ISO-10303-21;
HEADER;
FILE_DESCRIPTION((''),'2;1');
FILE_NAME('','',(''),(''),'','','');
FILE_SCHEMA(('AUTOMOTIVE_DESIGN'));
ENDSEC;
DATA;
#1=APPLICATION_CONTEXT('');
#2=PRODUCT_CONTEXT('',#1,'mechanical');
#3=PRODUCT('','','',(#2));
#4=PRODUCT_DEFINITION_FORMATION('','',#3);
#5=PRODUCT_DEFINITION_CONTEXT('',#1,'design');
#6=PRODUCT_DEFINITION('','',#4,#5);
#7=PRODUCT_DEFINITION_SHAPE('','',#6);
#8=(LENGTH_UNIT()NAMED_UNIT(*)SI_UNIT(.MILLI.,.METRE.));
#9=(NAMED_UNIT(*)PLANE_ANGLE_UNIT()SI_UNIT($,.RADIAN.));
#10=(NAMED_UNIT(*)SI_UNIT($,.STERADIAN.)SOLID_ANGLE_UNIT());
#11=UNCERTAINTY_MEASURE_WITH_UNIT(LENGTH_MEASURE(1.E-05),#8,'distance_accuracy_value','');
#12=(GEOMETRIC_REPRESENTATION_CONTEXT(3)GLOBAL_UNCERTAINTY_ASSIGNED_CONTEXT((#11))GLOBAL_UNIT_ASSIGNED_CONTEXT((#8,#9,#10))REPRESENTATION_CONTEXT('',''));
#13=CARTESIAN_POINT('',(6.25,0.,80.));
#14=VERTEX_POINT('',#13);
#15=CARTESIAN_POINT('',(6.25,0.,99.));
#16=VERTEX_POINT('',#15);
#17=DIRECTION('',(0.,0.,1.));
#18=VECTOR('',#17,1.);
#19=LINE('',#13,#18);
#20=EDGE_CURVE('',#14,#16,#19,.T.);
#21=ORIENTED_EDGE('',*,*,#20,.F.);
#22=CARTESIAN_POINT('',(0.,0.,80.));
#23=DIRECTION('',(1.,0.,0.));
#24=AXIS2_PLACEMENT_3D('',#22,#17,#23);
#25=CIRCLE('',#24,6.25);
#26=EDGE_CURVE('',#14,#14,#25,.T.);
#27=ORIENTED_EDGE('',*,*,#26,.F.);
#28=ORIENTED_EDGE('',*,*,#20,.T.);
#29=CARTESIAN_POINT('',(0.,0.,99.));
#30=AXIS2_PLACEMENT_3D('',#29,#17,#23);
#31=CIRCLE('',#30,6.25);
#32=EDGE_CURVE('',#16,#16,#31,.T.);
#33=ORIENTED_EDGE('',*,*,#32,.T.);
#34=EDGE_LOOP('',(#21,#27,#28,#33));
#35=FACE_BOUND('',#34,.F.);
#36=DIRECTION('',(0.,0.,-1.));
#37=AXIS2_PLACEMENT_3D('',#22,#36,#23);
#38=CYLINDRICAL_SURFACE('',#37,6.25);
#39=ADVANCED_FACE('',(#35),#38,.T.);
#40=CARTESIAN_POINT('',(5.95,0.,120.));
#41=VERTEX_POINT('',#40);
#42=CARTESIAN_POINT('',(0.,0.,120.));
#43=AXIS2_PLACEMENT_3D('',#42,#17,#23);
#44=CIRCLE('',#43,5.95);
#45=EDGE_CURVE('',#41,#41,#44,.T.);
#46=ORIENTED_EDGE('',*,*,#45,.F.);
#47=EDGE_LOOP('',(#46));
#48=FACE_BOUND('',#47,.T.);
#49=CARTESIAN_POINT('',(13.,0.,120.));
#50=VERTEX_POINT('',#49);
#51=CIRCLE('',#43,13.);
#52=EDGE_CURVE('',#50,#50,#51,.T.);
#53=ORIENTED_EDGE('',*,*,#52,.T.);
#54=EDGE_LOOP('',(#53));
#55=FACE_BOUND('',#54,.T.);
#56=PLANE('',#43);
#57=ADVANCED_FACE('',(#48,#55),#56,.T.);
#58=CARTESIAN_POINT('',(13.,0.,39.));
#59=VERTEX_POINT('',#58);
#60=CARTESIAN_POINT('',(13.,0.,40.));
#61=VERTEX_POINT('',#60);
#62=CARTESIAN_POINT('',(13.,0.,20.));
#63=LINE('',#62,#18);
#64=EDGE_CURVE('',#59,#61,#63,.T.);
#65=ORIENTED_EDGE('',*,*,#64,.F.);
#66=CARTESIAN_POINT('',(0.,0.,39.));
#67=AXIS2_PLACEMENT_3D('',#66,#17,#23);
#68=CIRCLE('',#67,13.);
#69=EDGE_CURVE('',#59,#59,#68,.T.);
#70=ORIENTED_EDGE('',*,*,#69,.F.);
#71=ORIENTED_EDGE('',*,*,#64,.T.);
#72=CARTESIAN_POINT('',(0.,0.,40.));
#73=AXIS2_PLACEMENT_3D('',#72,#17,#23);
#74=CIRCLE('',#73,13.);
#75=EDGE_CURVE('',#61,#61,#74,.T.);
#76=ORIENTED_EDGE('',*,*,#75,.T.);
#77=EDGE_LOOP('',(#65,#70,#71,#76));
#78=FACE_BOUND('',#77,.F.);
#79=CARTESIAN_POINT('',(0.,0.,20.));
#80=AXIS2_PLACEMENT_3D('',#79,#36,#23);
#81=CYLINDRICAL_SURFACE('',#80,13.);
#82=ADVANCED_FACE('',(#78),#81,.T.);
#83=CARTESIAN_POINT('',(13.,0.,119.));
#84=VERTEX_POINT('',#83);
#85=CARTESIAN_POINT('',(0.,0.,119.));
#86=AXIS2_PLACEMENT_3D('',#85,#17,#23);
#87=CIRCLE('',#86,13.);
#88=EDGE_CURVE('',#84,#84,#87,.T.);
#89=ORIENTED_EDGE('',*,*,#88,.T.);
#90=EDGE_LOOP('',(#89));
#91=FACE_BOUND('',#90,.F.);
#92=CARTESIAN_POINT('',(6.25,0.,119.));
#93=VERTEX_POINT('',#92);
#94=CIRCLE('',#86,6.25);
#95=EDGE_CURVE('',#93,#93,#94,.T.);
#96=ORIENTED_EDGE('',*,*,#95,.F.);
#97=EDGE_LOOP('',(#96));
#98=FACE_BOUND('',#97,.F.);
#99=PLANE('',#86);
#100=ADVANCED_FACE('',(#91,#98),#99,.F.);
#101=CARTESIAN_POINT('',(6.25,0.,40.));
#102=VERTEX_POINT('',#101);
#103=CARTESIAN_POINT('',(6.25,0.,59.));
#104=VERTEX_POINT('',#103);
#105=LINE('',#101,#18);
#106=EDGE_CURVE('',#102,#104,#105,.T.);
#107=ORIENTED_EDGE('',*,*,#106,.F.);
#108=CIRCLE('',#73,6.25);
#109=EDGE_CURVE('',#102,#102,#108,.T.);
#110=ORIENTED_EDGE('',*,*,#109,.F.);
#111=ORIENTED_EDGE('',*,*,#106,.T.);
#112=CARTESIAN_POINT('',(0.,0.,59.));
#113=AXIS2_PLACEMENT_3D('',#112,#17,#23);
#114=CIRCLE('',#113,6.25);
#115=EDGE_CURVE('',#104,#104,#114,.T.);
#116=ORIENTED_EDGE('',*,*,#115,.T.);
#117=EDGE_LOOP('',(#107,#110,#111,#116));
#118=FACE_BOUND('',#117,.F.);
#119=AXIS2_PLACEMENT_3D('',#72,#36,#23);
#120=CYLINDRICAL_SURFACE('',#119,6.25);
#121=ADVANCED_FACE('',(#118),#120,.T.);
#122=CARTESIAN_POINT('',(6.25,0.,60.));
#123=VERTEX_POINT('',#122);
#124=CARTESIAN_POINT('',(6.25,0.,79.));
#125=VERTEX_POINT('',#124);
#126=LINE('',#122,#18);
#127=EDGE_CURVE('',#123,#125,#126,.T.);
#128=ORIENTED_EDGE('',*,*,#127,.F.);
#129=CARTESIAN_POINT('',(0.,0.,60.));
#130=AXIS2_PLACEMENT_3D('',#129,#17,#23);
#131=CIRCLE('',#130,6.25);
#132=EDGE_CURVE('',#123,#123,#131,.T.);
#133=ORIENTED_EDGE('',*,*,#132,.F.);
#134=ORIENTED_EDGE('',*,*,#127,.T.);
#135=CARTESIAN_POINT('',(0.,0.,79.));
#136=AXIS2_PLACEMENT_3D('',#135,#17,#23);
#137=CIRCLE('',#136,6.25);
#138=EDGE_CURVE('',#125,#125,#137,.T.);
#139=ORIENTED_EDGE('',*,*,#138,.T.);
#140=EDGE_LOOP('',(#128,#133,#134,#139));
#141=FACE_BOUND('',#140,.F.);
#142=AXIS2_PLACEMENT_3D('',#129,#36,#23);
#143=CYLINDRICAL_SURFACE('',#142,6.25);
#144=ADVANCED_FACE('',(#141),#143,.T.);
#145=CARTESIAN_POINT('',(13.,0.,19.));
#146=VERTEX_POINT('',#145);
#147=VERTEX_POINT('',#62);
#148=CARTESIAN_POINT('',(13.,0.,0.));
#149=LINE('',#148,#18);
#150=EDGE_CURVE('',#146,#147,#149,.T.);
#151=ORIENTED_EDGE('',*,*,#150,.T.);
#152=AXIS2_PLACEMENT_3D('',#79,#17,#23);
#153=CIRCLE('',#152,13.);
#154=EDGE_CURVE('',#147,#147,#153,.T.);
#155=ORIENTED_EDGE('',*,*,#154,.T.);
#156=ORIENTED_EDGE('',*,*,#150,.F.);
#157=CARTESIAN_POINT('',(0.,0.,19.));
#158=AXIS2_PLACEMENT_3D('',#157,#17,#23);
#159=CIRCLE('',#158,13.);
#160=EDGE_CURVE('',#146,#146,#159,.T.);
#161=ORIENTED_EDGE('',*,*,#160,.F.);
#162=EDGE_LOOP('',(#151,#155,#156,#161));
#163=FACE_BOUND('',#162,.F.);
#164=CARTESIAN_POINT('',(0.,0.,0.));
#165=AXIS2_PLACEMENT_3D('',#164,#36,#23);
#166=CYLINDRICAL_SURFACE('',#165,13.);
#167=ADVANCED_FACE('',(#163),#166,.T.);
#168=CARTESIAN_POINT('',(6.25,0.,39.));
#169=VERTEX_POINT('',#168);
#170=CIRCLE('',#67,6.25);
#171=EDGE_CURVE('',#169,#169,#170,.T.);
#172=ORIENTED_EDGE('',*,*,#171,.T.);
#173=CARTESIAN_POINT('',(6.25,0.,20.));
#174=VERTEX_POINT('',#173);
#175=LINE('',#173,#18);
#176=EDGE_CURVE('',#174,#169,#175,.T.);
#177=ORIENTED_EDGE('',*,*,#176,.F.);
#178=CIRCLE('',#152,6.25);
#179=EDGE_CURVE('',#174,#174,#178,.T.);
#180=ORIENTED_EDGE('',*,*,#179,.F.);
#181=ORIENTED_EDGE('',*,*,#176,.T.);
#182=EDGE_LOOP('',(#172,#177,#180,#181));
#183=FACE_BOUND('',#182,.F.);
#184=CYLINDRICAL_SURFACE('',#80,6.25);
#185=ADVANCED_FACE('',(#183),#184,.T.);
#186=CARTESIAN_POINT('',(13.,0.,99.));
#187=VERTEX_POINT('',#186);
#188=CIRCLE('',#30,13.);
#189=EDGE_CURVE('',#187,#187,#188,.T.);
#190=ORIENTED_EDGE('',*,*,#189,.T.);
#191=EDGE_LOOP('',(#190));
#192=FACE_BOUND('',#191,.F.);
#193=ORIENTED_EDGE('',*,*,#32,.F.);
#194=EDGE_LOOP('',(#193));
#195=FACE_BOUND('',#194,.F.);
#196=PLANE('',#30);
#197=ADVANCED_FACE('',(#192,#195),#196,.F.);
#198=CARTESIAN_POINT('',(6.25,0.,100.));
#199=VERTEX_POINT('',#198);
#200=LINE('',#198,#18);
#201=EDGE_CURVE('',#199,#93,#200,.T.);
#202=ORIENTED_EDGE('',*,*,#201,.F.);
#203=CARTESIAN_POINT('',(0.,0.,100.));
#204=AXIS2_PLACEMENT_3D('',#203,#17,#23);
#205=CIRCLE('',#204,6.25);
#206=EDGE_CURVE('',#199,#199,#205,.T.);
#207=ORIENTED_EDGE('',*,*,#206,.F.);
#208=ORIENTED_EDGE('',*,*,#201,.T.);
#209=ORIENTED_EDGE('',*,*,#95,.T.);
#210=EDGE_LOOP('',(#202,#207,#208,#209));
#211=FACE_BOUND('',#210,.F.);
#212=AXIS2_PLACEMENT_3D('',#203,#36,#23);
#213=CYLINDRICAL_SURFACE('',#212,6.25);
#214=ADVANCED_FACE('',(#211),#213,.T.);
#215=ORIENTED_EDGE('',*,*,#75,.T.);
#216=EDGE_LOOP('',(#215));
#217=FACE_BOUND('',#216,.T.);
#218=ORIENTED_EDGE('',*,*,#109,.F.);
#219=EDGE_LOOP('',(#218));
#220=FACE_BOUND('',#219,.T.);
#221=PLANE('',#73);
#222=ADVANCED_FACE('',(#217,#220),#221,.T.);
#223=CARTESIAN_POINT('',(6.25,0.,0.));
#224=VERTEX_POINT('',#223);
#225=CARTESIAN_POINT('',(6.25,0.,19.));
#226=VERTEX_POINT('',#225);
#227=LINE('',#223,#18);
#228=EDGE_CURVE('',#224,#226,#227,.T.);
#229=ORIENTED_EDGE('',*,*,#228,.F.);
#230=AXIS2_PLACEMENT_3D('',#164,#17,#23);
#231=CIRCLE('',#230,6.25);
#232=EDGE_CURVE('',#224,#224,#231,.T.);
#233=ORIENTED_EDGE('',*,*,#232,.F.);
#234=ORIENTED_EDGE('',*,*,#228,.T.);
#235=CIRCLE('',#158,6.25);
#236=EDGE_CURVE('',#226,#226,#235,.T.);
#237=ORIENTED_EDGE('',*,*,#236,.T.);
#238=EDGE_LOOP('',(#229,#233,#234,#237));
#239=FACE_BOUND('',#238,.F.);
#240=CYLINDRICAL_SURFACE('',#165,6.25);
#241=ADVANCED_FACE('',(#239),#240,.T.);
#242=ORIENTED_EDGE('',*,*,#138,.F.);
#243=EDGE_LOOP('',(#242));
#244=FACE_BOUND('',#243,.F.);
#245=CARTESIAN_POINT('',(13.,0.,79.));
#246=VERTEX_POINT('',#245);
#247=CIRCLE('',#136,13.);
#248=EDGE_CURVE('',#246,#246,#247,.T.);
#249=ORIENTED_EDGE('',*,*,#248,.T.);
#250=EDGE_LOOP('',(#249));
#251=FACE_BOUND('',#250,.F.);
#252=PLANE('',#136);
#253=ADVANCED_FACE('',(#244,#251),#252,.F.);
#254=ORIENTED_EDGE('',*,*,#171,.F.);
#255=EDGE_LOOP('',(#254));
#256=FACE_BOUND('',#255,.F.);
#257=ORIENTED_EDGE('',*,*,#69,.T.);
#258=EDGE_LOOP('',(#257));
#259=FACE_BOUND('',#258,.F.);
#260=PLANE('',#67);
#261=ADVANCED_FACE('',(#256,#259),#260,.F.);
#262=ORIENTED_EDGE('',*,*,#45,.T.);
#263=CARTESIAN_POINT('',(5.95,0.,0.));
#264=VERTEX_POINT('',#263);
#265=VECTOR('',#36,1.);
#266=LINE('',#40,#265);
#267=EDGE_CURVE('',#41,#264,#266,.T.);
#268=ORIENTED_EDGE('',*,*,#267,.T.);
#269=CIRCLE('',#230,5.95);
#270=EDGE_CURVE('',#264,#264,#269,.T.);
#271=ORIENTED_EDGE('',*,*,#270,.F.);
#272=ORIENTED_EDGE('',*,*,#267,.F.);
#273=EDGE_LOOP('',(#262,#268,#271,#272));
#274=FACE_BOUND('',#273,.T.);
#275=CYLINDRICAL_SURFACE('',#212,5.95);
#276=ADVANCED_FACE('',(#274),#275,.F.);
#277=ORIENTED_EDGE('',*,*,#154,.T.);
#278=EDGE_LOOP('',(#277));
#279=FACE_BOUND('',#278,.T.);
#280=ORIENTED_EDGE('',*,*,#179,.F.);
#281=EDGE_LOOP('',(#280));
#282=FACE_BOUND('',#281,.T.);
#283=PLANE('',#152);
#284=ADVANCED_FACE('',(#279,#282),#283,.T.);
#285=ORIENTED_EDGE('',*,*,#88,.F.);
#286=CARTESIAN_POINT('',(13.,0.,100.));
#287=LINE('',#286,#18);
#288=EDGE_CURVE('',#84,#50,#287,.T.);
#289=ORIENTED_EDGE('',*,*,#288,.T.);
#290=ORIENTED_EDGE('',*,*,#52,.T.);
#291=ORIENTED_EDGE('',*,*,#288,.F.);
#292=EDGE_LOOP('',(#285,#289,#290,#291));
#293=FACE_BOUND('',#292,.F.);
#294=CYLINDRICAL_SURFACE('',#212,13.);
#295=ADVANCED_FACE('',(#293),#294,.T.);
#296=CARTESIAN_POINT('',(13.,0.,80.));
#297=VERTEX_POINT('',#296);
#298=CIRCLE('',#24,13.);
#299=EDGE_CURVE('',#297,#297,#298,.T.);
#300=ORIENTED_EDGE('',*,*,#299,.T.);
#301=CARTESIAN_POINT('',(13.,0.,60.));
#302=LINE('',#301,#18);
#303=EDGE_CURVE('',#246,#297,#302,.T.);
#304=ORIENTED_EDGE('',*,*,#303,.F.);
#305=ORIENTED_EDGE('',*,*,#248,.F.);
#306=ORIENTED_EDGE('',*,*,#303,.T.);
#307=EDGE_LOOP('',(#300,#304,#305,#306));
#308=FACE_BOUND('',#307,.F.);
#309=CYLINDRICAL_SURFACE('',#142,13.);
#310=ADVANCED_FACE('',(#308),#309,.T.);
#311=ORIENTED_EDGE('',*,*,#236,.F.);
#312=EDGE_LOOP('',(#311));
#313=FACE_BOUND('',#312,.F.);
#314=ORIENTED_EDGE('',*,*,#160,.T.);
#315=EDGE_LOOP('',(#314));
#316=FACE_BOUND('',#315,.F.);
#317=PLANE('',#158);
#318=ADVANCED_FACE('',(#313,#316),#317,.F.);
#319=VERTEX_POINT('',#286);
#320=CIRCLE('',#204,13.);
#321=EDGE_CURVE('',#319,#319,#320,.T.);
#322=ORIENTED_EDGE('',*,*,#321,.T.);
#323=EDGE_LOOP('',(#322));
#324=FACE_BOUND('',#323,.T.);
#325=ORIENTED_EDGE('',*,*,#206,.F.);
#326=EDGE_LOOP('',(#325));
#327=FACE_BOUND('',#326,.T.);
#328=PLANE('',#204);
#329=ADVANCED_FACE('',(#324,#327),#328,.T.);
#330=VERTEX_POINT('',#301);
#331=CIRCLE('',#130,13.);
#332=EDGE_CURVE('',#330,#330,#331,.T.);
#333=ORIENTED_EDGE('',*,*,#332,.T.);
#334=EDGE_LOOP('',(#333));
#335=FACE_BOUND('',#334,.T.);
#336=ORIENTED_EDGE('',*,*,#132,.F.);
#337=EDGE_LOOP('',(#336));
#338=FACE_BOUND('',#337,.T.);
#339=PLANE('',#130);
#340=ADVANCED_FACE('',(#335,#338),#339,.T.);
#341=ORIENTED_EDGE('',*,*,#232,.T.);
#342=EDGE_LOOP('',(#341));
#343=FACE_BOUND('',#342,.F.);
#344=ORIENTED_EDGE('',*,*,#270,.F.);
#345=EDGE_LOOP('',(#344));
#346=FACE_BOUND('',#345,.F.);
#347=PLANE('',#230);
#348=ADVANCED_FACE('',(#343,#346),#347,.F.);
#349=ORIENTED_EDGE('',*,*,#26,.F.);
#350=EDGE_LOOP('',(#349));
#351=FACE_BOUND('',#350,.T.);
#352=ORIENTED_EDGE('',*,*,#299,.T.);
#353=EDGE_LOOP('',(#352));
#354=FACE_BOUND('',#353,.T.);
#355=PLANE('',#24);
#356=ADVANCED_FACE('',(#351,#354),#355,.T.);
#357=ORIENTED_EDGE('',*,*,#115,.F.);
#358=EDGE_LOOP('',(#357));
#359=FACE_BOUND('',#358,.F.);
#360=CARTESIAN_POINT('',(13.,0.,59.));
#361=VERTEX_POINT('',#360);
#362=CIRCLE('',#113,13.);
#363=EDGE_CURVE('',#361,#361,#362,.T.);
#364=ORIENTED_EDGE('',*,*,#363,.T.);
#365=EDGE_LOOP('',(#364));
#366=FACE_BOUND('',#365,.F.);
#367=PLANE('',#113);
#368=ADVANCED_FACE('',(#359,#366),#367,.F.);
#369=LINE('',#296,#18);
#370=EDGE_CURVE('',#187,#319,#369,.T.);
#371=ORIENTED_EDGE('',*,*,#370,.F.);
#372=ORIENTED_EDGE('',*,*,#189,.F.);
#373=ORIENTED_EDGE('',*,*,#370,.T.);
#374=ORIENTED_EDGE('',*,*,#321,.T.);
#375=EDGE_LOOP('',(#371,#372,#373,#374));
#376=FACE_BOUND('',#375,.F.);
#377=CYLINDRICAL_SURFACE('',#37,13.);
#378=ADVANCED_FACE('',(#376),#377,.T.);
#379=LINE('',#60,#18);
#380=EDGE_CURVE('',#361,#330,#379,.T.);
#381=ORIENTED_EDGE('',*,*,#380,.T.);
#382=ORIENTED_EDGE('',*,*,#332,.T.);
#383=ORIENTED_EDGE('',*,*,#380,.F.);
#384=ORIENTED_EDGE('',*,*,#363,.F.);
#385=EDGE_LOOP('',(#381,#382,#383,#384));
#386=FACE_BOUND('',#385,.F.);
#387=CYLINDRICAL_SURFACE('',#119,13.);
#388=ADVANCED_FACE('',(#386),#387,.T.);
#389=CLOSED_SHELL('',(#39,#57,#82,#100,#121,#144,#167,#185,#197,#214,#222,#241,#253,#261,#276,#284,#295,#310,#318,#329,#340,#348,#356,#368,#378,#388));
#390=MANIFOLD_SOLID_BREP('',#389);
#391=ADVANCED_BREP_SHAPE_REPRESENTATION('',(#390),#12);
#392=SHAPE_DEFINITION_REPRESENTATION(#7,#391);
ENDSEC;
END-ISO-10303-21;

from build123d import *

# Parameters (mm, degrees)
SKETCH003_R     = 13
SKETCH003_R_2   = 5.95
PAD001_DEPTH    = 20
SKETCH004_R     = 13
SKETCH004_R_2   = 6.25
POCKET001_DEPTH = 19


with BuildPart() as coil:
    # Sketch003 → Pad001 (new body)
    with BuildSketch(Plane.XY):
        Circle(SKETCH003_R)
        Circle(SKETCH003_R_2, mode=Mode.SUBTRACT)
    extrude(amount=PAD001_DEPTH)

    # Sketch004 → Pocket001 (cut)
    with BuildSketch(Plane.XY):
        Circle(SKETCH004_R)
        Circle(SKETCH004_R_2, mode=Mode.SUBTRACT)
    extrude(amount=POCKET001_DEPTH, mode=Mode.SUBTRACT)


with BuildPart() as coil001:
    # Body003 base: copy of coil
    add(coil.part)


with BuildPart() as coil001_1:
    # Body003 placement: moved
    add(coil001.part.moved(Location((0, 0, 20))))


with BuildPart() as coil002:
    # Body004 base: copy of coil001
    add(coil001_1.part)


with BuildPart() as coil002_1:
    # Clone001 placement: moved
    add(coil002.part.moved(Location((0, 0, -20))))


with BuildPart() as coil002_2:
    # Body004 placement: moved
    add(coil002_1.part.moved(Location((0, 0, 40))))


with BuildPart() as coil003:
    # Body005 base: copy of coil
    add(coil.part)


with BuildPart() as coil003_1:
    # Body005 placement: moved
    add(coil003.part.moved(Location((0, 0, 60))))


with BuildPart() as coil004:
    # Body006 base: copy of coil
    add(coil.part)


with BuildPart() as coil004_1:
    # Body006 placement: moved
    add(coil004.part.moved(Location((0, 0, 80))))


with BuildPart() as coil005:
    # Body012 base: copy of coil
    add(coil.part)


with BuildPart() as coil005_1:
    # Body012 placement: moved
    add(coil005.part.moved(Location((0, 0, 100))))


with BuildPart() as coilsfusion:
    # Fusion base: copy of coil
    add(coil.part)

    # Fusion: union coil001, coil002, coil003, coil004, coil005
    add(coil001_1.part)
    add(coil002_2.part)
    add(coil003_1.part)
    add(coil004_1.part)
    add(coil005_1.part)


solid = coilsfusion.part
